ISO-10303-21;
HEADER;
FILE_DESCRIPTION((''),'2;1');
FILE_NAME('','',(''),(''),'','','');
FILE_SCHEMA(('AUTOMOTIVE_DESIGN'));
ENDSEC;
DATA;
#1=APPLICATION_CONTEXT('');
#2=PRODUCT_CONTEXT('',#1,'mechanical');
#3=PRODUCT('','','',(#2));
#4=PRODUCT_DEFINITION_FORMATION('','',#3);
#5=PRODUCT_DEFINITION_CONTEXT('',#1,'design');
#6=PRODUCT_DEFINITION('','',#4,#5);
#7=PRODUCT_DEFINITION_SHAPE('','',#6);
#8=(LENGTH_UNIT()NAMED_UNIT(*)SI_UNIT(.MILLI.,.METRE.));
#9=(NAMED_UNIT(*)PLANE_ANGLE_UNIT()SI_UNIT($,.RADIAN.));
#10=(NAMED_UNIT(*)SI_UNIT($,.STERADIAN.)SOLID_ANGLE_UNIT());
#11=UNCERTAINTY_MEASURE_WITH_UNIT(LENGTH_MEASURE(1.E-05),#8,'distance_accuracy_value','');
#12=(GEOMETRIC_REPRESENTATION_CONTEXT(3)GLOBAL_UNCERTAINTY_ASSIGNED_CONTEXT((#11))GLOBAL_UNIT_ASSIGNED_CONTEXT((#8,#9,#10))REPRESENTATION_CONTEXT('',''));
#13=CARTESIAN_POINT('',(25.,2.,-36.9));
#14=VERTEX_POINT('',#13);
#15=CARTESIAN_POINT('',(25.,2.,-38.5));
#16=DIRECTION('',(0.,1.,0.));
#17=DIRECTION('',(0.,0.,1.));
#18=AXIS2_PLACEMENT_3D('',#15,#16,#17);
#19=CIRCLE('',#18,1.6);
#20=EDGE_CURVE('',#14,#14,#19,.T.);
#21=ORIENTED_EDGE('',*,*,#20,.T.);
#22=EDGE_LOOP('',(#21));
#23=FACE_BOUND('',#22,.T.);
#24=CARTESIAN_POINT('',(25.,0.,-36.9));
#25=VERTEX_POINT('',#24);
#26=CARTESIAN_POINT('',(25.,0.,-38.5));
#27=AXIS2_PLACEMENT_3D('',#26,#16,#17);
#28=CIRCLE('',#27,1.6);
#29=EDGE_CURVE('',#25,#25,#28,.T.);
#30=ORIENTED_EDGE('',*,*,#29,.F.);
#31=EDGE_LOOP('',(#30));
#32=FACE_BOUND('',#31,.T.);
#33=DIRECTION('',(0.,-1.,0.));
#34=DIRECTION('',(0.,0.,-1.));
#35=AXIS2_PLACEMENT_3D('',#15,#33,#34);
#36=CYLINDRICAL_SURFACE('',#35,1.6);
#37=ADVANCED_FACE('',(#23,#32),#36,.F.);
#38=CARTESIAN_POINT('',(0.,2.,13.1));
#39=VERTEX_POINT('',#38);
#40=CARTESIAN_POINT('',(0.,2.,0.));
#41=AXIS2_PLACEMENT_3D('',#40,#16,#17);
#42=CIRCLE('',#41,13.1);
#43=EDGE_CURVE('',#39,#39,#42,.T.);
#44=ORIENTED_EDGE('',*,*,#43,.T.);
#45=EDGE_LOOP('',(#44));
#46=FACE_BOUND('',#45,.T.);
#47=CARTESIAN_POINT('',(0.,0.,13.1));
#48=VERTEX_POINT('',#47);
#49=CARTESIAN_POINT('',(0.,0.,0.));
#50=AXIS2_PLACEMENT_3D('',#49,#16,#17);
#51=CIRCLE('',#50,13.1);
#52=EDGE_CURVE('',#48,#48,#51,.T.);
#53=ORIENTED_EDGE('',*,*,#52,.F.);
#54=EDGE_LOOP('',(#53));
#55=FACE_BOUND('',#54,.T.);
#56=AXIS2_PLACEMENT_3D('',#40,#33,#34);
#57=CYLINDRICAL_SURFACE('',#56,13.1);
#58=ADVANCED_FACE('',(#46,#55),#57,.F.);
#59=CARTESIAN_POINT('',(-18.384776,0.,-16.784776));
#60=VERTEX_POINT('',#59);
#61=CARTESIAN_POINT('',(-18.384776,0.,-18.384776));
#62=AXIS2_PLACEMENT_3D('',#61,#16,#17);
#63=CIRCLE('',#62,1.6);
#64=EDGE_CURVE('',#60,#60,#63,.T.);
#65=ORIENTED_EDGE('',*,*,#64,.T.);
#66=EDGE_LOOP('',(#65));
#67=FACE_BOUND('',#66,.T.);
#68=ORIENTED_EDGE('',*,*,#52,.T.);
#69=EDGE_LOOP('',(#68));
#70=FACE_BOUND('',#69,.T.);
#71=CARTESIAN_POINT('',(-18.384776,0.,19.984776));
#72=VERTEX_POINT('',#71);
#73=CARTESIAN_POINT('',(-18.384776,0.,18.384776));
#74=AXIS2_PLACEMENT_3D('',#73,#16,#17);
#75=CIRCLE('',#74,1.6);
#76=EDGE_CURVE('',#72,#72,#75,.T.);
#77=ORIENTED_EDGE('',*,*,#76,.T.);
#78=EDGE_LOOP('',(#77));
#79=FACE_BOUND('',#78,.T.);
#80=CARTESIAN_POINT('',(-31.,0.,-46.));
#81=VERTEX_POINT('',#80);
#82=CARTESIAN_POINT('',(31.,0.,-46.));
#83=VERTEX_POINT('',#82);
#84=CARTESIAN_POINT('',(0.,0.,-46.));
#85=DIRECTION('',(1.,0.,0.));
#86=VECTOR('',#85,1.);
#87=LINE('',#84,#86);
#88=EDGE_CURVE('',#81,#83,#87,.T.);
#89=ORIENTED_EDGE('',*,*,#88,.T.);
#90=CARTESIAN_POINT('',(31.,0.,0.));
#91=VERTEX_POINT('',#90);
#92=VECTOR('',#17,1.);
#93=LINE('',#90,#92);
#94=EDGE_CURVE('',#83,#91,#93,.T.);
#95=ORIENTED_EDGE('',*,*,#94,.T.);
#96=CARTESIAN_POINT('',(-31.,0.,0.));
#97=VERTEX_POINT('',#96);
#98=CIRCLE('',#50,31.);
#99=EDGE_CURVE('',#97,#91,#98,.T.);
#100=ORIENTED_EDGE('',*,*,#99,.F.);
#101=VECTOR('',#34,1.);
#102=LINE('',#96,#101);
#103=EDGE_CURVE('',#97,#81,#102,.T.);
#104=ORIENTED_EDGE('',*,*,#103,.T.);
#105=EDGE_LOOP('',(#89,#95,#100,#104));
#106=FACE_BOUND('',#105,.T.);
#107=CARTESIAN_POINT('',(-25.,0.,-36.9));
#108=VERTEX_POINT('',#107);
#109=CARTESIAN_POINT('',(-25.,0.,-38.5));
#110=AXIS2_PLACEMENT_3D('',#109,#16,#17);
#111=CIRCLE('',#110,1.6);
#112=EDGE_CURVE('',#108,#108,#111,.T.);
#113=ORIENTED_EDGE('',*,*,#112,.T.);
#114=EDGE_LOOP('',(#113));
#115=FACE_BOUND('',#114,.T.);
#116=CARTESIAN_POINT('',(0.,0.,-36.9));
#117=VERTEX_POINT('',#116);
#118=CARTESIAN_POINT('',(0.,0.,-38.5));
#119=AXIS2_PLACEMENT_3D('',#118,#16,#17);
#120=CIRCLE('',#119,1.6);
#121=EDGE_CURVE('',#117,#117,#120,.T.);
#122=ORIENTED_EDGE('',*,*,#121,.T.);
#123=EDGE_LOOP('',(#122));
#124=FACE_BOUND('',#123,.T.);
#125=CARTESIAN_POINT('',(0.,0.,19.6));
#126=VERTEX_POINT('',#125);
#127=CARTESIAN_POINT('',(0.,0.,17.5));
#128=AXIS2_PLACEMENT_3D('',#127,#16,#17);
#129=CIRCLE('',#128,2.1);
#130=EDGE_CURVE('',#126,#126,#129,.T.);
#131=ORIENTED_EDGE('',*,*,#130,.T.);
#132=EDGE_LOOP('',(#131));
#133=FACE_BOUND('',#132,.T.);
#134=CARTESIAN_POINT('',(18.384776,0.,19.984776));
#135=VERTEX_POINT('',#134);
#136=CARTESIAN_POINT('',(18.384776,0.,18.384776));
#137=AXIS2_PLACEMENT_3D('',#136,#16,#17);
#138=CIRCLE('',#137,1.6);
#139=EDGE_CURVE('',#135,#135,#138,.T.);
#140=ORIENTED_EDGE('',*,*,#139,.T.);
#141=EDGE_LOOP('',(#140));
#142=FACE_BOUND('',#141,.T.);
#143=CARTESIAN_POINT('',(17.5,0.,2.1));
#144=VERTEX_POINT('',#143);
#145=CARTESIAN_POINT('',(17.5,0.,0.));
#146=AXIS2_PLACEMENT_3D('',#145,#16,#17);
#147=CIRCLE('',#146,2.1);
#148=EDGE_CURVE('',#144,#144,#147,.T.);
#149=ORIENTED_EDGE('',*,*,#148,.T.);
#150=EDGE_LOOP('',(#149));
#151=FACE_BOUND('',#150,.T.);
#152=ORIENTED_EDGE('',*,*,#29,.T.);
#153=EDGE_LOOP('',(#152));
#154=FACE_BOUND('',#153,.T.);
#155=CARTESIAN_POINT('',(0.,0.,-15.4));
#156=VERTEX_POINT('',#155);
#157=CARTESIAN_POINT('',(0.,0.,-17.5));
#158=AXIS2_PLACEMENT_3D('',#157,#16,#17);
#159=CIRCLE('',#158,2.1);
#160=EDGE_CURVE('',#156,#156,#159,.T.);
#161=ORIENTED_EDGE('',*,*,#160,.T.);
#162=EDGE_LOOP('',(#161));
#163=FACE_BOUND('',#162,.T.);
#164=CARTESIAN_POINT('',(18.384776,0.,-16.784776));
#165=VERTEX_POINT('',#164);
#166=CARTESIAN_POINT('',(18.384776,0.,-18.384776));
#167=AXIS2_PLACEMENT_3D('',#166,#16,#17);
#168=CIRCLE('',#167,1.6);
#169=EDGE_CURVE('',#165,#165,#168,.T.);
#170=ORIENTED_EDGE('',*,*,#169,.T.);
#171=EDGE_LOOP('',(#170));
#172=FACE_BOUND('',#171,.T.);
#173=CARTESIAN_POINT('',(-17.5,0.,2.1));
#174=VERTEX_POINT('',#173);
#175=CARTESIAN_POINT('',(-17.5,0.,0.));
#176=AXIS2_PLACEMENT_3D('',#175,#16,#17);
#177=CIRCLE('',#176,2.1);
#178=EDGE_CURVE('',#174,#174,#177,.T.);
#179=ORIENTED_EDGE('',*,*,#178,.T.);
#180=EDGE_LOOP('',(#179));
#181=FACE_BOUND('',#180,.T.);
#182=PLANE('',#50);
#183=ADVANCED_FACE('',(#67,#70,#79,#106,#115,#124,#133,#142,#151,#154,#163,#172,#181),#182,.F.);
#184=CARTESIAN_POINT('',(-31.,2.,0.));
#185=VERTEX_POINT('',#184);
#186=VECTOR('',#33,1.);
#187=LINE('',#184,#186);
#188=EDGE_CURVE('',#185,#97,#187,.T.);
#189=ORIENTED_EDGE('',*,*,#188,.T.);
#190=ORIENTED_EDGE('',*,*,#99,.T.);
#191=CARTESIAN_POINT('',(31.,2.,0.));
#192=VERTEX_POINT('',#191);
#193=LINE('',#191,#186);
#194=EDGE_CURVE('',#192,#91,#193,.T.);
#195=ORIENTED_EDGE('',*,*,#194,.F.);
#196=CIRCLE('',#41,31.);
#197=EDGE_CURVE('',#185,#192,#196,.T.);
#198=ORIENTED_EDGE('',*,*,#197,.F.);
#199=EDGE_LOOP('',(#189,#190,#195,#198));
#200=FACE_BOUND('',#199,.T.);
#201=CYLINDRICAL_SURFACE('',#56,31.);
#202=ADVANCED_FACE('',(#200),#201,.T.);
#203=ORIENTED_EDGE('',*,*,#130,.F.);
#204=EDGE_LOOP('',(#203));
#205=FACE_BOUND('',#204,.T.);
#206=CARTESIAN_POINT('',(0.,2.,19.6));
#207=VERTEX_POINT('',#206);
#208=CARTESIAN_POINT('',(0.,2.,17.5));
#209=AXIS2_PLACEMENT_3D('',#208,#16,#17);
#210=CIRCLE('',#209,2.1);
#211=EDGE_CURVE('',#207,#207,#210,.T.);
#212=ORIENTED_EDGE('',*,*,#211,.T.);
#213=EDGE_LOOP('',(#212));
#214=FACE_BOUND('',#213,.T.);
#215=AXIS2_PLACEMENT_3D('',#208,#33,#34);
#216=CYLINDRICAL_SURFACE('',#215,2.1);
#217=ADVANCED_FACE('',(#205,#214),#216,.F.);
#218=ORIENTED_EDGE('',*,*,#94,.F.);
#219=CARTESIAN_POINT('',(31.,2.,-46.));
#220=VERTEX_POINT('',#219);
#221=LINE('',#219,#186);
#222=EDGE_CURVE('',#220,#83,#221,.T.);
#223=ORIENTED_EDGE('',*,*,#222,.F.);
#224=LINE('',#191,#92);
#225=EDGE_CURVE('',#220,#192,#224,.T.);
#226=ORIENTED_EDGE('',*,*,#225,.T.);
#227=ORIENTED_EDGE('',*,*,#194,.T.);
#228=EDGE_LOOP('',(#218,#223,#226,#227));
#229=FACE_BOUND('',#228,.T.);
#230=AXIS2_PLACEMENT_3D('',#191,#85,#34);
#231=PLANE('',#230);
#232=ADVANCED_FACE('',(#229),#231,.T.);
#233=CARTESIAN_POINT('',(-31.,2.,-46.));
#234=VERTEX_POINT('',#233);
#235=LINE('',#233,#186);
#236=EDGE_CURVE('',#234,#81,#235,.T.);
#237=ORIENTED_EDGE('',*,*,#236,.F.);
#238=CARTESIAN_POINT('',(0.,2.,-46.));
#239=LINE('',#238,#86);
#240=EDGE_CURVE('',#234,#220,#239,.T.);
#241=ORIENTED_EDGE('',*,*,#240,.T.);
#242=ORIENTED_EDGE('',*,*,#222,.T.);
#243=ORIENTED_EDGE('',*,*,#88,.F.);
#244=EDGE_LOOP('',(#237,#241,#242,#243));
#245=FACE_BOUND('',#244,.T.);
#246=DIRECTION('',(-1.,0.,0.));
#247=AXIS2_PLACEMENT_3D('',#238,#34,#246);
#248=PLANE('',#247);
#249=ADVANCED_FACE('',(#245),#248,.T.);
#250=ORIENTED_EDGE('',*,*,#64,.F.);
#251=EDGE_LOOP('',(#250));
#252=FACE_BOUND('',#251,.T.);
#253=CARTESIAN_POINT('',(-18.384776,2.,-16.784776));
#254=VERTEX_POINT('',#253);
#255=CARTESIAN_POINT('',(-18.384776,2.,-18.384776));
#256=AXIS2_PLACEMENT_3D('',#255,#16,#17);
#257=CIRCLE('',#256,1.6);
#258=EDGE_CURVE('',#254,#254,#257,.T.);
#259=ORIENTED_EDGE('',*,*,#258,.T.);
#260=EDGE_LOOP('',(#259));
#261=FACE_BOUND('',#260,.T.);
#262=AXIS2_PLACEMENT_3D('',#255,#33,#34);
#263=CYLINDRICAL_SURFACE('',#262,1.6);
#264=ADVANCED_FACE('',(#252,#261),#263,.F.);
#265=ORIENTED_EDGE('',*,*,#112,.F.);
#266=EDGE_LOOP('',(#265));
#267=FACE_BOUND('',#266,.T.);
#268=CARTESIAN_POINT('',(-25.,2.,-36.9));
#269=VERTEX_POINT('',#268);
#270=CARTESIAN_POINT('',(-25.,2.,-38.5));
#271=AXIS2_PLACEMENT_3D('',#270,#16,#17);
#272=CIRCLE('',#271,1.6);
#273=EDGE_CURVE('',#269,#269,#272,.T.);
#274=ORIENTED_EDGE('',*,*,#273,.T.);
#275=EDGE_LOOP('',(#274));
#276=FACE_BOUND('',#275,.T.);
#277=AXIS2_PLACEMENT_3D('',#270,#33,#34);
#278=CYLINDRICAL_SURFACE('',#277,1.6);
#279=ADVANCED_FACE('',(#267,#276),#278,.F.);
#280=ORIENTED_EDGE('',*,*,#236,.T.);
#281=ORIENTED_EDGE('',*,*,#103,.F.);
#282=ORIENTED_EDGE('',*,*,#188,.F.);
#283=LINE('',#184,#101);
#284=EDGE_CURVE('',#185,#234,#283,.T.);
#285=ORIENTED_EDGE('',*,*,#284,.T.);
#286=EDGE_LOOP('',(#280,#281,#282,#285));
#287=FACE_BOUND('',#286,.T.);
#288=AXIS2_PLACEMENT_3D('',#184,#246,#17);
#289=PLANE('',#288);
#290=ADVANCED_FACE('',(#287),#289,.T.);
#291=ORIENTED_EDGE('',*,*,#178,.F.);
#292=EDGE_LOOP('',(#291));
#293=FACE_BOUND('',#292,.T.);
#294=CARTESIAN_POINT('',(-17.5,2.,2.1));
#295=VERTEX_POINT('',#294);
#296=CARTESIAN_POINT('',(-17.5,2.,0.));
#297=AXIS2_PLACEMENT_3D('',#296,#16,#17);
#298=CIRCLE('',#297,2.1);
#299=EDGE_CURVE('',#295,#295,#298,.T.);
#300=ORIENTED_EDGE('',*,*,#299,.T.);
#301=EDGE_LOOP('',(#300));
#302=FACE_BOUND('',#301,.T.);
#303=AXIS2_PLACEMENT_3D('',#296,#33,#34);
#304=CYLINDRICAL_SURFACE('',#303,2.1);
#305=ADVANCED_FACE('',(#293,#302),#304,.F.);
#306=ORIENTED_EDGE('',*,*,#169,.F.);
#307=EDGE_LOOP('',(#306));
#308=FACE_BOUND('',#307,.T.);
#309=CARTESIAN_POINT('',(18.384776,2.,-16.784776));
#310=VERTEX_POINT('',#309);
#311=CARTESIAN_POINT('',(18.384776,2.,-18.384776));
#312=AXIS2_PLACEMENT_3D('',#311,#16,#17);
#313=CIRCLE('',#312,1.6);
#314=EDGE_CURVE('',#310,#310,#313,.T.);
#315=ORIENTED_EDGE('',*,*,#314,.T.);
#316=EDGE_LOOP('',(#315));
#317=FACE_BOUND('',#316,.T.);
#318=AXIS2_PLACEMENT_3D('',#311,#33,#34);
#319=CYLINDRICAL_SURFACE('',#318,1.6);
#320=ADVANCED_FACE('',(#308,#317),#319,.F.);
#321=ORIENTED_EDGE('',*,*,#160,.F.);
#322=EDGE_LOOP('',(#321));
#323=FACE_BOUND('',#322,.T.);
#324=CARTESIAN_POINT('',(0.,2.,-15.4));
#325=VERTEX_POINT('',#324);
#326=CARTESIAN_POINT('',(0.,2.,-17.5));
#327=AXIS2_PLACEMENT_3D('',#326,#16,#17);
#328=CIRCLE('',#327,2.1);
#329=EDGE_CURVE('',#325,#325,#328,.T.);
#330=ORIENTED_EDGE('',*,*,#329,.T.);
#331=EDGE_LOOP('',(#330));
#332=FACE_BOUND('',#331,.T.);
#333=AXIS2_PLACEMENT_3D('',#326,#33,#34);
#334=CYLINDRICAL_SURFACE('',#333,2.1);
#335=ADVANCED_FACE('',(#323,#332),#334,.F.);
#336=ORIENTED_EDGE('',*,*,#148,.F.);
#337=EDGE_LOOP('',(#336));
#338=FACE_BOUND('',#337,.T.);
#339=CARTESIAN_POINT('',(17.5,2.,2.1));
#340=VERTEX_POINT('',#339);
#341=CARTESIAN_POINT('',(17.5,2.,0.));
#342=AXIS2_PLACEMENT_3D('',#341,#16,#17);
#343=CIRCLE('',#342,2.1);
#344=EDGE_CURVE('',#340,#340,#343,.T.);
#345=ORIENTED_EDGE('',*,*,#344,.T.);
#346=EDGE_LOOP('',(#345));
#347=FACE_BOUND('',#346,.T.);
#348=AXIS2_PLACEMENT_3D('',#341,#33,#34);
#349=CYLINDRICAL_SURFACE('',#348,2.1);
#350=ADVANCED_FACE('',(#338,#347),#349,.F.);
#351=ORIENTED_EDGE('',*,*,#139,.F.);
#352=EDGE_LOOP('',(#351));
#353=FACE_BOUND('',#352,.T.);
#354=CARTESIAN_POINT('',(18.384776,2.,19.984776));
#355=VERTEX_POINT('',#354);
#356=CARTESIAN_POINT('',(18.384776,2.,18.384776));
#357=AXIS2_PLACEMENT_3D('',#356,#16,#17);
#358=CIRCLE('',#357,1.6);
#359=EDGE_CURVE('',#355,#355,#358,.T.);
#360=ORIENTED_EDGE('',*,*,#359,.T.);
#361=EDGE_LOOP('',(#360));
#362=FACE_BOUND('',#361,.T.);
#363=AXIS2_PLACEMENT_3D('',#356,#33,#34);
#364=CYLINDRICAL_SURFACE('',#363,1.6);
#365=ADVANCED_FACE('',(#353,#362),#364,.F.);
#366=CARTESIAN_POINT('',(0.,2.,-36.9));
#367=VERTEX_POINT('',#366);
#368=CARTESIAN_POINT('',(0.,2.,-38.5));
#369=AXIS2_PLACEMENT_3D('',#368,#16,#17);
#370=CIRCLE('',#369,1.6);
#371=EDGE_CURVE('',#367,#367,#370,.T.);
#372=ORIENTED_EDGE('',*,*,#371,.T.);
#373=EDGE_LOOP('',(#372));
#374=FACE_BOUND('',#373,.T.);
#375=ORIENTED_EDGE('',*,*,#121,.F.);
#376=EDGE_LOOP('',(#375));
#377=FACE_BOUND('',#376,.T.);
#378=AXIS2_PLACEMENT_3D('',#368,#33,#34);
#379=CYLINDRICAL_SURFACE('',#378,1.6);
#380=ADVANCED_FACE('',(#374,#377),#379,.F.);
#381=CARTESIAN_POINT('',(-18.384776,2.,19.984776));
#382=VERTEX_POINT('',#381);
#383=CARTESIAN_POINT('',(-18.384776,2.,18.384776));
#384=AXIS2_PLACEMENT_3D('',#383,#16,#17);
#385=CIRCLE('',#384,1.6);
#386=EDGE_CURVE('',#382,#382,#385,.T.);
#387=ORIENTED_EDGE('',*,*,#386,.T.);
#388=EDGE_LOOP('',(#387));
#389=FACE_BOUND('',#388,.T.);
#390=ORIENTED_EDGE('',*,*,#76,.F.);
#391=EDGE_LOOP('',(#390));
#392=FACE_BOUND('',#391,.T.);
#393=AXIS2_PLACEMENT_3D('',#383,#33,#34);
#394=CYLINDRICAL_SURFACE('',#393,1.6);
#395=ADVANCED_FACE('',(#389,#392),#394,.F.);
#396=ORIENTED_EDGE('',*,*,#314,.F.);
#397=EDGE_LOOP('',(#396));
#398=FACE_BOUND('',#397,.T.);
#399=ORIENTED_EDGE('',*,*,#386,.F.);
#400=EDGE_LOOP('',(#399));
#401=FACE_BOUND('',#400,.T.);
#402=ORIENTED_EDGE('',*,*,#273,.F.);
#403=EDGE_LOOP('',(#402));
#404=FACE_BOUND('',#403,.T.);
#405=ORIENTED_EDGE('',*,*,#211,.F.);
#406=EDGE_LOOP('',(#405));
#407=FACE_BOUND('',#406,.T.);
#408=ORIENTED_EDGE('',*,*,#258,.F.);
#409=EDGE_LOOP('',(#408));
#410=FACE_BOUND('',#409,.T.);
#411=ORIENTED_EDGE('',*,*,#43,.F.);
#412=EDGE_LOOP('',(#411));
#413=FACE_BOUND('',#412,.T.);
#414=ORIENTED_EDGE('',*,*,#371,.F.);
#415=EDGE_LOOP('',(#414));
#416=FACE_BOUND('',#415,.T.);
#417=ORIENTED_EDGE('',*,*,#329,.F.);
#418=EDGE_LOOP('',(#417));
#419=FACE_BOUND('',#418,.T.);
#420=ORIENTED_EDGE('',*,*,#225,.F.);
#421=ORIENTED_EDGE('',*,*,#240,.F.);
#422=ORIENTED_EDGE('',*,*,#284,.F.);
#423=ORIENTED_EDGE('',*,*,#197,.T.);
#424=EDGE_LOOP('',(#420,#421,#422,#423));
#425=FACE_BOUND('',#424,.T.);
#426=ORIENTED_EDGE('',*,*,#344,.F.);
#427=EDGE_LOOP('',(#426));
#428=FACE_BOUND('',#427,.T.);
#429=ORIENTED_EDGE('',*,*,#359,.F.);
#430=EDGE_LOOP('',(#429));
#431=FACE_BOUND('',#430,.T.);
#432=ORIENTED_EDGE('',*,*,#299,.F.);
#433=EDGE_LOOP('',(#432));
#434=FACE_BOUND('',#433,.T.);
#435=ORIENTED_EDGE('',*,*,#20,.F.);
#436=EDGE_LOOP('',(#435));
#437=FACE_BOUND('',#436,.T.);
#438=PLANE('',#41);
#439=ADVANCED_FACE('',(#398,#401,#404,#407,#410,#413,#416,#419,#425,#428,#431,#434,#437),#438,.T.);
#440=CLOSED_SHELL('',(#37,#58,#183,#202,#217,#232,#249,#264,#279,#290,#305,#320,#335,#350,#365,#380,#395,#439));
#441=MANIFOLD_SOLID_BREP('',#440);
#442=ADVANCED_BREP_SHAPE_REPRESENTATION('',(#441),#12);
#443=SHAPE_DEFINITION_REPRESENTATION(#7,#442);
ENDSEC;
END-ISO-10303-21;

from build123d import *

# Parameters (mm, degrees)
SKETCH_1_R      = 1.6
SKETCH_1_R_2    = 31
SKETCH_1_R_3    = 21
SKETCH_1_R_4    = 2.1
SKETCH_1_R_5    = 13.1
EXTRUDE_1_DEPTH = 2


with BuildPart() as part:
    # 草图1 → 凸台-拉伸1 (new body)
    # profile 1 of 3: a face of its own
    with BuildSketch(Plane(origin=(0, 0, 0), x_dir=(1, 0, 0), z_dir=(0, 1, 0))):
        with BuildLine():
            Line((-31, 31), (-31, 0))
            ThreePointArc((-31, 0), (0, 31), (31, 0))
            Line((31, 0), (31, 31))
            Line((31, 31), (31, 46))
            Line((31, 46), (-31, 46))
            Line((-31, 46), (-31, 31))
        make_face()
        with Locations(Location((-25, 38.5, 0), (0, 0, 270))):
            Circle(SKETCH_1_R, mode=Mode.SUBTRACT)
        with Locations(Location((0, 38.5, 0), (0, 0, 270))):
            Circle(SKETCH_1_R, mode=Mode.SUBTRACT)
        with Locations(Location((25, 38.5, 0), (0, 0, 270))):
            Circle(SKETCH_1_R, mode=Mode.SUBTRACT)
    # profile 2 of 3: a face of its own
    with BuildSketch(Plane(origin=(0, 0, 0), x_dir=(1, 0, 0), z_dir=(0, 1, 0))):
        Circle(SKETCH_1_R_2)
        with Locations(Location((-18.384776311, 18.384776311, 0), (0, 0, 270))):
            Circle(SKETCH_1_R, mode=Mode.SUBTRACT)
        with Locations(Location((-18.384776311, -18.384776311, 0), (0, 0, 270))):
            Circle(SKETCH_1_R, mode=Mode.SUBTRACT)
        with Locations(Location((18.384776311, -18.384776311, 0), (0, 0, 270))):
            Circle(SKETCH_1_R, mode=Mode.SUBTRACT)
        with Locations(Location((18.384776311, 18.384776311, 0), (0, 0, 270))):
            Circle(SKETCH_1_R, mode=Mode.SUBTRACT)
        Circle(SKETCH_1_R_3, mode=Mode.SUBTRACT)
    # profile 3 of 3: a face of its own
    with BuildSketch(Plane(origin=(0, 0, 0), x_dir=(1, 0, 0), z_dir=(0, 1, 0))):
        Circle(SKETCH_1_R_3)
        with Locations(Location((17.5, 0, 0), (0, 0, 270))):
            Circle(SKETCH_1_R_4, mode=Mode.SUBTRACT)
        with Locations(Location((0, -17.5, 0), (0, 0, 270))):
            Circle(SKETCH_1_R_4, mode=Mode.SUBTRACT)
        with Locations(Location((-17.5, 0, 0), (0, 0, 270))):
            Circle(SKETCH_1_R_4, mode=Mode.SUBTRACT)
        with Locations(Location((0, 17.5, 0), (0, 0, 270))):
            Circle(SKETCH_1_R_4, mode=Mode.SUBTRACT)
        with Locations(Location((0, 0, 0), (0, 0, 270))):
            Circle(SKETCH_1_R_5, mode=Mode.SUBTRACT)
    extrude(amount=EXTRUDE_1_DEPTH)


solid = part.part
